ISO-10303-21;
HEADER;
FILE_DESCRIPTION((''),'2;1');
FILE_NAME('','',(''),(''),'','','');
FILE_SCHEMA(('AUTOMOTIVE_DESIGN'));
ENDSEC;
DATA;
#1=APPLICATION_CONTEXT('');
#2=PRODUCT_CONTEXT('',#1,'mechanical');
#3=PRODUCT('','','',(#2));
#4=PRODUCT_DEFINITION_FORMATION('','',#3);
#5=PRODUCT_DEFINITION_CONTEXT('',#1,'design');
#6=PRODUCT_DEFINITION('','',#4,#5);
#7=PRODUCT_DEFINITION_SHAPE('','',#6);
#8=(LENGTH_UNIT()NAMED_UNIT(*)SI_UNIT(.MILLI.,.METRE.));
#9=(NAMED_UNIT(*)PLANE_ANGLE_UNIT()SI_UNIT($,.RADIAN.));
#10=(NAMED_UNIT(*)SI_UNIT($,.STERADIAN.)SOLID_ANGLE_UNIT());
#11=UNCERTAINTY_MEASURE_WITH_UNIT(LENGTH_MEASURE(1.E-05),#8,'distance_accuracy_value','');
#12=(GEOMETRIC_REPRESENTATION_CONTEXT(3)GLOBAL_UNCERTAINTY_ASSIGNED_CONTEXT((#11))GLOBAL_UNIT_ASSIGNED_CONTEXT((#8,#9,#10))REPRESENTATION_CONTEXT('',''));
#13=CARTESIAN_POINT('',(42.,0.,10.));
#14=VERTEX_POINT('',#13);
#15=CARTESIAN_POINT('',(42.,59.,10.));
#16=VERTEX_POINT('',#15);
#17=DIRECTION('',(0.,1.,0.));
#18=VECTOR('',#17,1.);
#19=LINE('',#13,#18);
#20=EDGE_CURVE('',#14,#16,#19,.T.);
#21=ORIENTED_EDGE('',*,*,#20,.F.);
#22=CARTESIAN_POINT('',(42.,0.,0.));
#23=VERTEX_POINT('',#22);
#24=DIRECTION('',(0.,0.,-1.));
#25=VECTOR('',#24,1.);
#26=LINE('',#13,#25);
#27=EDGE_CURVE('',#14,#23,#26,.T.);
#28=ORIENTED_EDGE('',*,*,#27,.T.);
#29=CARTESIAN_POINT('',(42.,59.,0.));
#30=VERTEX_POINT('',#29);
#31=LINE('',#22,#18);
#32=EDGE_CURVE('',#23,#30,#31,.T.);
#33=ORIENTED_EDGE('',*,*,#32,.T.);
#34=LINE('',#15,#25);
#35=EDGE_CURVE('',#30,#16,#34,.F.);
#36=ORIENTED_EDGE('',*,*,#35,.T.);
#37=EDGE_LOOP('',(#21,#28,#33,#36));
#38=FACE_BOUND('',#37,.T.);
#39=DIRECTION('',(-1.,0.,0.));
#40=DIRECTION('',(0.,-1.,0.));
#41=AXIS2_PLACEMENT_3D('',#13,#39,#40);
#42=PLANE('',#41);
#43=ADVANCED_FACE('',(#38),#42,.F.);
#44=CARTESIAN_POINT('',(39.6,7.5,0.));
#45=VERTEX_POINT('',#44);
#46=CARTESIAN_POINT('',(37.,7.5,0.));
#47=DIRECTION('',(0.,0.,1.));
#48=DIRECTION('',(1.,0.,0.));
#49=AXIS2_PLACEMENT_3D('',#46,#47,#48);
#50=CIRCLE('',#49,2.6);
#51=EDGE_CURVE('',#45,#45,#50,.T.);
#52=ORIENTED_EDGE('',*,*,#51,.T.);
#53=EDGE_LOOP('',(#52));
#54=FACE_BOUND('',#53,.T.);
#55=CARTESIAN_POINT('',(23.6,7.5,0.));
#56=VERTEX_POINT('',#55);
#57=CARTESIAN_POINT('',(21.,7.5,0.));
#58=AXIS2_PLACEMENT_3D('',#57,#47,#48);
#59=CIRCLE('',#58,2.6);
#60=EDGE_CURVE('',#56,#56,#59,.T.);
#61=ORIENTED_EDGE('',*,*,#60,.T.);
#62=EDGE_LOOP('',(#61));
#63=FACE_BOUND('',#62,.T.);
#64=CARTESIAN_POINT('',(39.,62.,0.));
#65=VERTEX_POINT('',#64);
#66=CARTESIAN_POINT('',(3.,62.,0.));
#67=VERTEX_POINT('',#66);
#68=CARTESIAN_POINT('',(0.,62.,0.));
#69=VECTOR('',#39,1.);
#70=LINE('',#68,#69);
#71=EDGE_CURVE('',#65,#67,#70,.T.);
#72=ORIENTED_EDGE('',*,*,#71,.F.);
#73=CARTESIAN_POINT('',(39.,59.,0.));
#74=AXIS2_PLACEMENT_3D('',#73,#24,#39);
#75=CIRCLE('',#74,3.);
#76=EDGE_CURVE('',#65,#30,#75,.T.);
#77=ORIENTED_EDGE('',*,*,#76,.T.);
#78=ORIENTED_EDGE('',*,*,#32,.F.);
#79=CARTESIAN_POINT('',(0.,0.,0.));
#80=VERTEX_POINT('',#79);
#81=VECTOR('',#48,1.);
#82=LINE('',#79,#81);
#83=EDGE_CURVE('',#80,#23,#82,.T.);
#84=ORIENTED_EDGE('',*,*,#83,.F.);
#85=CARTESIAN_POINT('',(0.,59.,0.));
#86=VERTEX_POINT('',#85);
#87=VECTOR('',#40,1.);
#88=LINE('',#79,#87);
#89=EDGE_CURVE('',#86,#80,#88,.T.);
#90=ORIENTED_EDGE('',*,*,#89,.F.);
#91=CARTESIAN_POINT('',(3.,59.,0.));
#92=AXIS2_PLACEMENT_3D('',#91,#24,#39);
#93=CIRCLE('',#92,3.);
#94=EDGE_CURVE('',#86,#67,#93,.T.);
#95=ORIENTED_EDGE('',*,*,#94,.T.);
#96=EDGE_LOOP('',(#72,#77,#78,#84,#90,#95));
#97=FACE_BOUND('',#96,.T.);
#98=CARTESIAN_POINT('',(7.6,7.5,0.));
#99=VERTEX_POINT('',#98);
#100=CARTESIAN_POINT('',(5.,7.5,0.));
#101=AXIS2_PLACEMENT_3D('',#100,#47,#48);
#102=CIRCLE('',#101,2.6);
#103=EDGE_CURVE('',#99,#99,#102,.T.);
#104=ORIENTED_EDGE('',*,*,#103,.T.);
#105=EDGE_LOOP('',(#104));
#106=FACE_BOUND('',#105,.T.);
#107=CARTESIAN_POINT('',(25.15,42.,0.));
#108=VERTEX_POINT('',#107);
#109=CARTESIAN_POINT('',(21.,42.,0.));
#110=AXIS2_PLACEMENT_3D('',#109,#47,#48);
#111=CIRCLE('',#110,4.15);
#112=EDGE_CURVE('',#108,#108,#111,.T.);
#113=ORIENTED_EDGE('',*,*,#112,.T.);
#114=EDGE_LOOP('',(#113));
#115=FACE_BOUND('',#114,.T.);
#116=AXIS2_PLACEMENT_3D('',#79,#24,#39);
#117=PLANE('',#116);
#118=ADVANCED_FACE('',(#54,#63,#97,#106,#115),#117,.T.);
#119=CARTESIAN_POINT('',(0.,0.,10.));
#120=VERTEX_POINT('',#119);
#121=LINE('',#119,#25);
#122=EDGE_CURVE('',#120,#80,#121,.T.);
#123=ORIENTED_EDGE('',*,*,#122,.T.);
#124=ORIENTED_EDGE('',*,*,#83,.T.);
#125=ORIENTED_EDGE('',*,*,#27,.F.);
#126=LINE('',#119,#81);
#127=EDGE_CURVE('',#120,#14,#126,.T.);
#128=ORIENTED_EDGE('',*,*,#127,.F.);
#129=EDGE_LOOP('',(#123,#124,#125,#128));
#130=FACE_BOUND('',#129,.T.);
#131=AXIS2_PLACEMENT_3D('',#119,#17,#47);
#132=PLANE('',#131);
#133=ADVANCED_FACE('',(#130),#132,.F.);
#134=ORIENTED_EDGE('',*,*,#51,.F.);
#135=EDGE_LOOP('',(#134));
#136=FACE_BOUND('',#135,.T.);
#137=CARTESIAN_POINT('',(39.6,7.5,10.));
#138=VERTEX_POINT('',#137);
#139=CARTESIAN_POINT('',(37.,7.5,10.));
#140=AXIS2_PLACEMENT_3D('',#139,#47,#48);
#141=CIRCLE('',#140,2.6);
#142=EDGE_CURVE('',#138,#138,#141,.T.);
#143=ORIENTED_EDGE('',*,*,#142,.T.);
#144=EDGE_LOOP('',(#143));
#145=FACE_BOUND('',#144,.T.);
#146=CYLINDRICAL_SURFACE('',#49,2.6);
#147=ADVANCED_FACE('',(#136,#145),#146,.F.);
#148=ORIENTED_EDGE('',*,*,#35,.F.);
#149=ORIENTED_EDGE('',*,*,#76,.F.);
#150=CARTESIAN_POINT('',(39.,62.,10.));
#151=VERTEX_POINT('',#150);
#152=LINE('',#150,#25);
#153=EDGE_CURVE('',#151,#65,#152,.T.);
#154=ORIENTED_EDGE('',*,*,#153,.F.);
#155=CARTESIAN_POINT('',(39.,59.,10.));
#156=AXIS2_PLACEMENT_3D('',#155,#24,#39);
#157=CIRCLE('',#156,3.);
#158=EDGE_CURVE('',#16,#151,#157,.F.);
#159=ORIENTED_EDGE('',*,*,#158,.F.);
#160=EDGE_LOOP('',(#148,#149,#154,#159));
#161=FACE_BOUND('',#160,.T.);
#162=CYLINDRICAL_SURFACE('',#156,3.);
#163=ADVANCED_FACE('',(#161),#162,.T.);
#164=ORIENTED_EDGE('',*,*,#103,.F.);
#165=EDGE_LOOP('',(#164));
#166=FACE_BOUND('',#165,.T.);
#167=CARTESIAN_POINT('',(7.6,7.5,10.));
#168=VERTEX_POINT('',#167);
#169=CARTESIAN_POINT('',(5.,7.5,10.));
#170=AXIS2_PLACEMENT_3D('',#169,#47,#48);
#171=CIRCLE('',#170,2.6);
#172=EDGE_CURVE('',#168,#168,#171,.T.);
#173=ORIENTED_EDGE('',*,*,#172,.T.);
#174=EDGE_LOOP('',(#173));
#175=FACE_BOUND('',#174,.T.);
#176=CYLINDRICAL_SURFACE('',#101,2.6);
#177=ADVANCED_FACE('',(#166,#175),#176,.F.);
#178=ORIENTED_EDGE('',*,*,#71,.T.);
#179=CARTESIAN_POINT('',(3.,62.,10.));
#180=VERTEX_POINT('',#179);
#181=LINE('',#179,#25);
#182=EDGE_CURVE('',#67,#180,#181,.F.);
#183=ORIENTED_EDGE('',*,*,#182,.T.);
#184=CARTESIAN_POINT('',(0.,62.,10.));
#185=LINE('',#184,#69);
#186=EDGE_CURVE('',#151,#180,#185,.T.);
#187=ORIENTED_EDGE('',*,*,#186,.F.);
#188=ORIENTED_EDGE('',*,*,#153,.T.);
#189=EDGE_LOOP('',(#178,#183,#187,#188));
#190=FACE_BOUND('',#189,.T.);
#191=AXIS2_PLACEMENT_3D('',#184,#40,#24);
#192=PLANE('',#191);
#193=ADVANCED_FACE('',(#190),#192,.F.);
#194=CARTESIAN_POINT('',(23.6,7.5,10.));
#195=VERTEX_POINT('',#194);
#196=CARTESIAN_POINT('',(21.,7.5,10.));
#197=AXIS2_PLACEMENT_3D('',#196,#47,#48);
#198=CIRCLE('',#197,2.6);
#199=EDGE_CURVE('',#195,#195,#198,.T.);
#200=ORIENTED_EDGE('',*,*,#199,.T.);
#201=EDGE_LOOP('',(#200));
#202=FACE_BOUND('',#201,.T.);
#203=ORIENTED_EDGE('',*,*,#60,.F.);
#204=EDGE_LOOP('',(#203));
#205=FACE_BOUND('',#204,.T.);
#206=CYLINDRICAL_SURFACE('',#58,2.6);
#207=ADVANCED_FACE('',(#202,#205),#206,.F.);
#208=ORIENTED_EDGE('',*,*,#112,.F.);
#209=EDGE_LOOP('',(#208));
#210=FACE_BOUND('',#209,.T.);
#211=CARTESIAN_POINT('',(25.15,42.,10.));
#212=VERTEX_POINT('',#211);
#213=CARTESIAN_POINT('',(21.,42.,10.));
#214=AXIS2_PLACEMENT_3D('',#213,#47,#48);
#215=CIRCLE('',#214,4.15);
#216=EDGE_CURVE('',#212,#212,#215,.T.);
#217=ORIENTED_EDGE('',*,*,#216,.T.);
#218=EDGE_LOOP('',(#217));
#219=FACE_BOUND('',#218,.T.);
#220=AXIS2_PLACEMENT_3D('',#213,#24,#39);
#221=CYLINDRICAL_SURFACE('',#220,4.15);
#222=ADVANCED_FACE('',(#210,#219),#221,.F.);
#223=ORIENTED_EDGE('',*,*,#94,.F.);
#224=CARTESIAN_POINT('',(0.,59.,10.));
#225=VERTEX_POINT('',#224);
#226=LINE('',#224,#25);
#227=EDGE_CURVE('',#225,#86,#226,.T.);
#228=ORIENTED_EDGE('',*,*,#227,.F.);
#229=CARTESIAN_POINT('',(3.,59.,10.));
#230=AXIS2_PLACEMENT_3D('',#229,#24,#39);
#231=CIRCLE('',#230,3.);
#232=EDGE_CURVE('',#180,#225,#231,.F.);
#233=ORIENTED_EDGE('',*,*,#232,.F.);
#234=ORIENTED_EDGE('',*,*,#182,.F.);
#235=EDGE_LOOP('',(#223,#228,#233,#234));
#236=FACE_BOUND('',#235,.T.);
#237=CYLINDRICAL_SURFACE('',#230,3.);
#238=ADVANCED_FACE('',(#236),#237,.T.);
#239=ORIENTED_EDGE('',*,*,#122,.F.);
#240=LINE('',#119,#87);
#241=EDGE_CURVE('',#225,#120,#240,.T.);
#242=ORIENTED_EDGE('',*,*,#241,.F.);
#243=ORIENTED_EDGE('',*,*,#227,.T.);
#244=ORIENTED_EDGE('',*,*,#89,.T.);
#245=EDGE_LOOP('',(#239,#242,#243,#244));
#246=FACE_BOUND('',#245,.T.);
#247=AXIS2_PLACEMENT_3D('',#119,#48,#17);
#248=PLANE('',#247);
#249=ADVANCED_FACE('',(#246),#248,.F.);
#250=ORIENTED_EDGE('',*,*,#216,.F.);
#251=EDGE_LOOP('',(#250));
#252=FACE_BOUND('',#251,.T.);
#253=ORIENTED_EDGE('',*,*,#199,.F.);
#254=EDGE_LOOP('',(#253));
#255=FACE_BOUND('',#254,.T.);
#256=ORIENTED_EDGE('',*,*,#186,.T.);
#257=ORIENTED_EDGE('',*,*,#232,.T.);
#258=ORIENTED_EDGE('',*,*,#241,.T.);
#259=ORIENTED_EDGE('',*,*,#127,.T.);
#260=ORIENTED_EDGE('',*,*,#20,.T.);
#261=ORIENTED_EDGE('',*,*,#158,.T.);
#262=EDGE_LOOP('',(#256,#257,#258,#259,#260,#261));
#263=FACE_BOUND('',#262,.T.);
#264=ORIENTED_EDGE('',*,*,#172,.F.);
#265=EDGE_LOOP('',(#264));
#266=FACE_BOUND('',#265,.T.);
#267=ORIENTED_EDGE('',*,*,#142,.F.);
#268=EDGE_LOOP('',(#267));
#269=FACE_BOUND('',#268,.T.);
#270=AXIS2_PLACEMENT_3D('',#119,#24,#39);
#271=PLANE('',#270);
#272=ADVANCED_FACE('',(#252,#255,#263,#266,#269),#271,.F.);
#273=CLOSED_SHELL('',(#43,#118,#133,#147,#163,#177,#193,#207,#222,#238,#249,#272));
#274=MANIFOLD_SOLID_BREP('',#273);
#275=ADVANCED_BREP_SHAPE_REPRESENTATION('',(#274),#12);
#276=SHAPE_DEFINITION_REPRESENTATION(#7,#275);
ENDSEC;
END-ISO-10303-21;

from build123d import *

# Parameters (mm, degrees)
SKETCH1_W           = 42
SKETCH1_H           = 62
SKETCH1_R           = 4.15
BOSS_EXTRUDE1_DEPTH = 10
FILLET1_R           = 3
SKETCH2_R           = 2.6
CUT_EXTRUDE1_DEPTH  = 11


with BuildPart() as part:
    # Sketch1 → Boss-Extrude1 (new body)
    with BuildSketch(Plane.XY):
        with Locations((21, 31)):
            Rectangle(SKETCH1_W, SKETCH1_H)
        with Locations((21, 42)):
            Circle(SKETCH1_R, mode=Mode.SUBTRACT)
    extrude(amount=BOSS_EXTRUDE1_DEPTH)

    # Fillet1
    fillet1_edges = [part.edges().sort_by_distance(p)[0] for p in [
        (0, 62, 5),
        (42, 62, 5),
    ]]
    fillet(fillet1_edges, radius=FILLET1_R)

    # Sketch2 → Cut-Extrude1 (cut, through all)
    with BuildSketch(Plane.XY.offset(10)):
        with Locations((5, 7.5)):
            Circle(SKETCH2_R)
        with Locations((21, 7.5)):
            Circle(SKETCH2_R)
        with Locations((37, 7.5)):
            Circle(SKETCH2_R)
    extrude(amount=-CUT_EXTRUDE1_DEPTH, mode=Mode.SUBTRACT)


solid = part.part
